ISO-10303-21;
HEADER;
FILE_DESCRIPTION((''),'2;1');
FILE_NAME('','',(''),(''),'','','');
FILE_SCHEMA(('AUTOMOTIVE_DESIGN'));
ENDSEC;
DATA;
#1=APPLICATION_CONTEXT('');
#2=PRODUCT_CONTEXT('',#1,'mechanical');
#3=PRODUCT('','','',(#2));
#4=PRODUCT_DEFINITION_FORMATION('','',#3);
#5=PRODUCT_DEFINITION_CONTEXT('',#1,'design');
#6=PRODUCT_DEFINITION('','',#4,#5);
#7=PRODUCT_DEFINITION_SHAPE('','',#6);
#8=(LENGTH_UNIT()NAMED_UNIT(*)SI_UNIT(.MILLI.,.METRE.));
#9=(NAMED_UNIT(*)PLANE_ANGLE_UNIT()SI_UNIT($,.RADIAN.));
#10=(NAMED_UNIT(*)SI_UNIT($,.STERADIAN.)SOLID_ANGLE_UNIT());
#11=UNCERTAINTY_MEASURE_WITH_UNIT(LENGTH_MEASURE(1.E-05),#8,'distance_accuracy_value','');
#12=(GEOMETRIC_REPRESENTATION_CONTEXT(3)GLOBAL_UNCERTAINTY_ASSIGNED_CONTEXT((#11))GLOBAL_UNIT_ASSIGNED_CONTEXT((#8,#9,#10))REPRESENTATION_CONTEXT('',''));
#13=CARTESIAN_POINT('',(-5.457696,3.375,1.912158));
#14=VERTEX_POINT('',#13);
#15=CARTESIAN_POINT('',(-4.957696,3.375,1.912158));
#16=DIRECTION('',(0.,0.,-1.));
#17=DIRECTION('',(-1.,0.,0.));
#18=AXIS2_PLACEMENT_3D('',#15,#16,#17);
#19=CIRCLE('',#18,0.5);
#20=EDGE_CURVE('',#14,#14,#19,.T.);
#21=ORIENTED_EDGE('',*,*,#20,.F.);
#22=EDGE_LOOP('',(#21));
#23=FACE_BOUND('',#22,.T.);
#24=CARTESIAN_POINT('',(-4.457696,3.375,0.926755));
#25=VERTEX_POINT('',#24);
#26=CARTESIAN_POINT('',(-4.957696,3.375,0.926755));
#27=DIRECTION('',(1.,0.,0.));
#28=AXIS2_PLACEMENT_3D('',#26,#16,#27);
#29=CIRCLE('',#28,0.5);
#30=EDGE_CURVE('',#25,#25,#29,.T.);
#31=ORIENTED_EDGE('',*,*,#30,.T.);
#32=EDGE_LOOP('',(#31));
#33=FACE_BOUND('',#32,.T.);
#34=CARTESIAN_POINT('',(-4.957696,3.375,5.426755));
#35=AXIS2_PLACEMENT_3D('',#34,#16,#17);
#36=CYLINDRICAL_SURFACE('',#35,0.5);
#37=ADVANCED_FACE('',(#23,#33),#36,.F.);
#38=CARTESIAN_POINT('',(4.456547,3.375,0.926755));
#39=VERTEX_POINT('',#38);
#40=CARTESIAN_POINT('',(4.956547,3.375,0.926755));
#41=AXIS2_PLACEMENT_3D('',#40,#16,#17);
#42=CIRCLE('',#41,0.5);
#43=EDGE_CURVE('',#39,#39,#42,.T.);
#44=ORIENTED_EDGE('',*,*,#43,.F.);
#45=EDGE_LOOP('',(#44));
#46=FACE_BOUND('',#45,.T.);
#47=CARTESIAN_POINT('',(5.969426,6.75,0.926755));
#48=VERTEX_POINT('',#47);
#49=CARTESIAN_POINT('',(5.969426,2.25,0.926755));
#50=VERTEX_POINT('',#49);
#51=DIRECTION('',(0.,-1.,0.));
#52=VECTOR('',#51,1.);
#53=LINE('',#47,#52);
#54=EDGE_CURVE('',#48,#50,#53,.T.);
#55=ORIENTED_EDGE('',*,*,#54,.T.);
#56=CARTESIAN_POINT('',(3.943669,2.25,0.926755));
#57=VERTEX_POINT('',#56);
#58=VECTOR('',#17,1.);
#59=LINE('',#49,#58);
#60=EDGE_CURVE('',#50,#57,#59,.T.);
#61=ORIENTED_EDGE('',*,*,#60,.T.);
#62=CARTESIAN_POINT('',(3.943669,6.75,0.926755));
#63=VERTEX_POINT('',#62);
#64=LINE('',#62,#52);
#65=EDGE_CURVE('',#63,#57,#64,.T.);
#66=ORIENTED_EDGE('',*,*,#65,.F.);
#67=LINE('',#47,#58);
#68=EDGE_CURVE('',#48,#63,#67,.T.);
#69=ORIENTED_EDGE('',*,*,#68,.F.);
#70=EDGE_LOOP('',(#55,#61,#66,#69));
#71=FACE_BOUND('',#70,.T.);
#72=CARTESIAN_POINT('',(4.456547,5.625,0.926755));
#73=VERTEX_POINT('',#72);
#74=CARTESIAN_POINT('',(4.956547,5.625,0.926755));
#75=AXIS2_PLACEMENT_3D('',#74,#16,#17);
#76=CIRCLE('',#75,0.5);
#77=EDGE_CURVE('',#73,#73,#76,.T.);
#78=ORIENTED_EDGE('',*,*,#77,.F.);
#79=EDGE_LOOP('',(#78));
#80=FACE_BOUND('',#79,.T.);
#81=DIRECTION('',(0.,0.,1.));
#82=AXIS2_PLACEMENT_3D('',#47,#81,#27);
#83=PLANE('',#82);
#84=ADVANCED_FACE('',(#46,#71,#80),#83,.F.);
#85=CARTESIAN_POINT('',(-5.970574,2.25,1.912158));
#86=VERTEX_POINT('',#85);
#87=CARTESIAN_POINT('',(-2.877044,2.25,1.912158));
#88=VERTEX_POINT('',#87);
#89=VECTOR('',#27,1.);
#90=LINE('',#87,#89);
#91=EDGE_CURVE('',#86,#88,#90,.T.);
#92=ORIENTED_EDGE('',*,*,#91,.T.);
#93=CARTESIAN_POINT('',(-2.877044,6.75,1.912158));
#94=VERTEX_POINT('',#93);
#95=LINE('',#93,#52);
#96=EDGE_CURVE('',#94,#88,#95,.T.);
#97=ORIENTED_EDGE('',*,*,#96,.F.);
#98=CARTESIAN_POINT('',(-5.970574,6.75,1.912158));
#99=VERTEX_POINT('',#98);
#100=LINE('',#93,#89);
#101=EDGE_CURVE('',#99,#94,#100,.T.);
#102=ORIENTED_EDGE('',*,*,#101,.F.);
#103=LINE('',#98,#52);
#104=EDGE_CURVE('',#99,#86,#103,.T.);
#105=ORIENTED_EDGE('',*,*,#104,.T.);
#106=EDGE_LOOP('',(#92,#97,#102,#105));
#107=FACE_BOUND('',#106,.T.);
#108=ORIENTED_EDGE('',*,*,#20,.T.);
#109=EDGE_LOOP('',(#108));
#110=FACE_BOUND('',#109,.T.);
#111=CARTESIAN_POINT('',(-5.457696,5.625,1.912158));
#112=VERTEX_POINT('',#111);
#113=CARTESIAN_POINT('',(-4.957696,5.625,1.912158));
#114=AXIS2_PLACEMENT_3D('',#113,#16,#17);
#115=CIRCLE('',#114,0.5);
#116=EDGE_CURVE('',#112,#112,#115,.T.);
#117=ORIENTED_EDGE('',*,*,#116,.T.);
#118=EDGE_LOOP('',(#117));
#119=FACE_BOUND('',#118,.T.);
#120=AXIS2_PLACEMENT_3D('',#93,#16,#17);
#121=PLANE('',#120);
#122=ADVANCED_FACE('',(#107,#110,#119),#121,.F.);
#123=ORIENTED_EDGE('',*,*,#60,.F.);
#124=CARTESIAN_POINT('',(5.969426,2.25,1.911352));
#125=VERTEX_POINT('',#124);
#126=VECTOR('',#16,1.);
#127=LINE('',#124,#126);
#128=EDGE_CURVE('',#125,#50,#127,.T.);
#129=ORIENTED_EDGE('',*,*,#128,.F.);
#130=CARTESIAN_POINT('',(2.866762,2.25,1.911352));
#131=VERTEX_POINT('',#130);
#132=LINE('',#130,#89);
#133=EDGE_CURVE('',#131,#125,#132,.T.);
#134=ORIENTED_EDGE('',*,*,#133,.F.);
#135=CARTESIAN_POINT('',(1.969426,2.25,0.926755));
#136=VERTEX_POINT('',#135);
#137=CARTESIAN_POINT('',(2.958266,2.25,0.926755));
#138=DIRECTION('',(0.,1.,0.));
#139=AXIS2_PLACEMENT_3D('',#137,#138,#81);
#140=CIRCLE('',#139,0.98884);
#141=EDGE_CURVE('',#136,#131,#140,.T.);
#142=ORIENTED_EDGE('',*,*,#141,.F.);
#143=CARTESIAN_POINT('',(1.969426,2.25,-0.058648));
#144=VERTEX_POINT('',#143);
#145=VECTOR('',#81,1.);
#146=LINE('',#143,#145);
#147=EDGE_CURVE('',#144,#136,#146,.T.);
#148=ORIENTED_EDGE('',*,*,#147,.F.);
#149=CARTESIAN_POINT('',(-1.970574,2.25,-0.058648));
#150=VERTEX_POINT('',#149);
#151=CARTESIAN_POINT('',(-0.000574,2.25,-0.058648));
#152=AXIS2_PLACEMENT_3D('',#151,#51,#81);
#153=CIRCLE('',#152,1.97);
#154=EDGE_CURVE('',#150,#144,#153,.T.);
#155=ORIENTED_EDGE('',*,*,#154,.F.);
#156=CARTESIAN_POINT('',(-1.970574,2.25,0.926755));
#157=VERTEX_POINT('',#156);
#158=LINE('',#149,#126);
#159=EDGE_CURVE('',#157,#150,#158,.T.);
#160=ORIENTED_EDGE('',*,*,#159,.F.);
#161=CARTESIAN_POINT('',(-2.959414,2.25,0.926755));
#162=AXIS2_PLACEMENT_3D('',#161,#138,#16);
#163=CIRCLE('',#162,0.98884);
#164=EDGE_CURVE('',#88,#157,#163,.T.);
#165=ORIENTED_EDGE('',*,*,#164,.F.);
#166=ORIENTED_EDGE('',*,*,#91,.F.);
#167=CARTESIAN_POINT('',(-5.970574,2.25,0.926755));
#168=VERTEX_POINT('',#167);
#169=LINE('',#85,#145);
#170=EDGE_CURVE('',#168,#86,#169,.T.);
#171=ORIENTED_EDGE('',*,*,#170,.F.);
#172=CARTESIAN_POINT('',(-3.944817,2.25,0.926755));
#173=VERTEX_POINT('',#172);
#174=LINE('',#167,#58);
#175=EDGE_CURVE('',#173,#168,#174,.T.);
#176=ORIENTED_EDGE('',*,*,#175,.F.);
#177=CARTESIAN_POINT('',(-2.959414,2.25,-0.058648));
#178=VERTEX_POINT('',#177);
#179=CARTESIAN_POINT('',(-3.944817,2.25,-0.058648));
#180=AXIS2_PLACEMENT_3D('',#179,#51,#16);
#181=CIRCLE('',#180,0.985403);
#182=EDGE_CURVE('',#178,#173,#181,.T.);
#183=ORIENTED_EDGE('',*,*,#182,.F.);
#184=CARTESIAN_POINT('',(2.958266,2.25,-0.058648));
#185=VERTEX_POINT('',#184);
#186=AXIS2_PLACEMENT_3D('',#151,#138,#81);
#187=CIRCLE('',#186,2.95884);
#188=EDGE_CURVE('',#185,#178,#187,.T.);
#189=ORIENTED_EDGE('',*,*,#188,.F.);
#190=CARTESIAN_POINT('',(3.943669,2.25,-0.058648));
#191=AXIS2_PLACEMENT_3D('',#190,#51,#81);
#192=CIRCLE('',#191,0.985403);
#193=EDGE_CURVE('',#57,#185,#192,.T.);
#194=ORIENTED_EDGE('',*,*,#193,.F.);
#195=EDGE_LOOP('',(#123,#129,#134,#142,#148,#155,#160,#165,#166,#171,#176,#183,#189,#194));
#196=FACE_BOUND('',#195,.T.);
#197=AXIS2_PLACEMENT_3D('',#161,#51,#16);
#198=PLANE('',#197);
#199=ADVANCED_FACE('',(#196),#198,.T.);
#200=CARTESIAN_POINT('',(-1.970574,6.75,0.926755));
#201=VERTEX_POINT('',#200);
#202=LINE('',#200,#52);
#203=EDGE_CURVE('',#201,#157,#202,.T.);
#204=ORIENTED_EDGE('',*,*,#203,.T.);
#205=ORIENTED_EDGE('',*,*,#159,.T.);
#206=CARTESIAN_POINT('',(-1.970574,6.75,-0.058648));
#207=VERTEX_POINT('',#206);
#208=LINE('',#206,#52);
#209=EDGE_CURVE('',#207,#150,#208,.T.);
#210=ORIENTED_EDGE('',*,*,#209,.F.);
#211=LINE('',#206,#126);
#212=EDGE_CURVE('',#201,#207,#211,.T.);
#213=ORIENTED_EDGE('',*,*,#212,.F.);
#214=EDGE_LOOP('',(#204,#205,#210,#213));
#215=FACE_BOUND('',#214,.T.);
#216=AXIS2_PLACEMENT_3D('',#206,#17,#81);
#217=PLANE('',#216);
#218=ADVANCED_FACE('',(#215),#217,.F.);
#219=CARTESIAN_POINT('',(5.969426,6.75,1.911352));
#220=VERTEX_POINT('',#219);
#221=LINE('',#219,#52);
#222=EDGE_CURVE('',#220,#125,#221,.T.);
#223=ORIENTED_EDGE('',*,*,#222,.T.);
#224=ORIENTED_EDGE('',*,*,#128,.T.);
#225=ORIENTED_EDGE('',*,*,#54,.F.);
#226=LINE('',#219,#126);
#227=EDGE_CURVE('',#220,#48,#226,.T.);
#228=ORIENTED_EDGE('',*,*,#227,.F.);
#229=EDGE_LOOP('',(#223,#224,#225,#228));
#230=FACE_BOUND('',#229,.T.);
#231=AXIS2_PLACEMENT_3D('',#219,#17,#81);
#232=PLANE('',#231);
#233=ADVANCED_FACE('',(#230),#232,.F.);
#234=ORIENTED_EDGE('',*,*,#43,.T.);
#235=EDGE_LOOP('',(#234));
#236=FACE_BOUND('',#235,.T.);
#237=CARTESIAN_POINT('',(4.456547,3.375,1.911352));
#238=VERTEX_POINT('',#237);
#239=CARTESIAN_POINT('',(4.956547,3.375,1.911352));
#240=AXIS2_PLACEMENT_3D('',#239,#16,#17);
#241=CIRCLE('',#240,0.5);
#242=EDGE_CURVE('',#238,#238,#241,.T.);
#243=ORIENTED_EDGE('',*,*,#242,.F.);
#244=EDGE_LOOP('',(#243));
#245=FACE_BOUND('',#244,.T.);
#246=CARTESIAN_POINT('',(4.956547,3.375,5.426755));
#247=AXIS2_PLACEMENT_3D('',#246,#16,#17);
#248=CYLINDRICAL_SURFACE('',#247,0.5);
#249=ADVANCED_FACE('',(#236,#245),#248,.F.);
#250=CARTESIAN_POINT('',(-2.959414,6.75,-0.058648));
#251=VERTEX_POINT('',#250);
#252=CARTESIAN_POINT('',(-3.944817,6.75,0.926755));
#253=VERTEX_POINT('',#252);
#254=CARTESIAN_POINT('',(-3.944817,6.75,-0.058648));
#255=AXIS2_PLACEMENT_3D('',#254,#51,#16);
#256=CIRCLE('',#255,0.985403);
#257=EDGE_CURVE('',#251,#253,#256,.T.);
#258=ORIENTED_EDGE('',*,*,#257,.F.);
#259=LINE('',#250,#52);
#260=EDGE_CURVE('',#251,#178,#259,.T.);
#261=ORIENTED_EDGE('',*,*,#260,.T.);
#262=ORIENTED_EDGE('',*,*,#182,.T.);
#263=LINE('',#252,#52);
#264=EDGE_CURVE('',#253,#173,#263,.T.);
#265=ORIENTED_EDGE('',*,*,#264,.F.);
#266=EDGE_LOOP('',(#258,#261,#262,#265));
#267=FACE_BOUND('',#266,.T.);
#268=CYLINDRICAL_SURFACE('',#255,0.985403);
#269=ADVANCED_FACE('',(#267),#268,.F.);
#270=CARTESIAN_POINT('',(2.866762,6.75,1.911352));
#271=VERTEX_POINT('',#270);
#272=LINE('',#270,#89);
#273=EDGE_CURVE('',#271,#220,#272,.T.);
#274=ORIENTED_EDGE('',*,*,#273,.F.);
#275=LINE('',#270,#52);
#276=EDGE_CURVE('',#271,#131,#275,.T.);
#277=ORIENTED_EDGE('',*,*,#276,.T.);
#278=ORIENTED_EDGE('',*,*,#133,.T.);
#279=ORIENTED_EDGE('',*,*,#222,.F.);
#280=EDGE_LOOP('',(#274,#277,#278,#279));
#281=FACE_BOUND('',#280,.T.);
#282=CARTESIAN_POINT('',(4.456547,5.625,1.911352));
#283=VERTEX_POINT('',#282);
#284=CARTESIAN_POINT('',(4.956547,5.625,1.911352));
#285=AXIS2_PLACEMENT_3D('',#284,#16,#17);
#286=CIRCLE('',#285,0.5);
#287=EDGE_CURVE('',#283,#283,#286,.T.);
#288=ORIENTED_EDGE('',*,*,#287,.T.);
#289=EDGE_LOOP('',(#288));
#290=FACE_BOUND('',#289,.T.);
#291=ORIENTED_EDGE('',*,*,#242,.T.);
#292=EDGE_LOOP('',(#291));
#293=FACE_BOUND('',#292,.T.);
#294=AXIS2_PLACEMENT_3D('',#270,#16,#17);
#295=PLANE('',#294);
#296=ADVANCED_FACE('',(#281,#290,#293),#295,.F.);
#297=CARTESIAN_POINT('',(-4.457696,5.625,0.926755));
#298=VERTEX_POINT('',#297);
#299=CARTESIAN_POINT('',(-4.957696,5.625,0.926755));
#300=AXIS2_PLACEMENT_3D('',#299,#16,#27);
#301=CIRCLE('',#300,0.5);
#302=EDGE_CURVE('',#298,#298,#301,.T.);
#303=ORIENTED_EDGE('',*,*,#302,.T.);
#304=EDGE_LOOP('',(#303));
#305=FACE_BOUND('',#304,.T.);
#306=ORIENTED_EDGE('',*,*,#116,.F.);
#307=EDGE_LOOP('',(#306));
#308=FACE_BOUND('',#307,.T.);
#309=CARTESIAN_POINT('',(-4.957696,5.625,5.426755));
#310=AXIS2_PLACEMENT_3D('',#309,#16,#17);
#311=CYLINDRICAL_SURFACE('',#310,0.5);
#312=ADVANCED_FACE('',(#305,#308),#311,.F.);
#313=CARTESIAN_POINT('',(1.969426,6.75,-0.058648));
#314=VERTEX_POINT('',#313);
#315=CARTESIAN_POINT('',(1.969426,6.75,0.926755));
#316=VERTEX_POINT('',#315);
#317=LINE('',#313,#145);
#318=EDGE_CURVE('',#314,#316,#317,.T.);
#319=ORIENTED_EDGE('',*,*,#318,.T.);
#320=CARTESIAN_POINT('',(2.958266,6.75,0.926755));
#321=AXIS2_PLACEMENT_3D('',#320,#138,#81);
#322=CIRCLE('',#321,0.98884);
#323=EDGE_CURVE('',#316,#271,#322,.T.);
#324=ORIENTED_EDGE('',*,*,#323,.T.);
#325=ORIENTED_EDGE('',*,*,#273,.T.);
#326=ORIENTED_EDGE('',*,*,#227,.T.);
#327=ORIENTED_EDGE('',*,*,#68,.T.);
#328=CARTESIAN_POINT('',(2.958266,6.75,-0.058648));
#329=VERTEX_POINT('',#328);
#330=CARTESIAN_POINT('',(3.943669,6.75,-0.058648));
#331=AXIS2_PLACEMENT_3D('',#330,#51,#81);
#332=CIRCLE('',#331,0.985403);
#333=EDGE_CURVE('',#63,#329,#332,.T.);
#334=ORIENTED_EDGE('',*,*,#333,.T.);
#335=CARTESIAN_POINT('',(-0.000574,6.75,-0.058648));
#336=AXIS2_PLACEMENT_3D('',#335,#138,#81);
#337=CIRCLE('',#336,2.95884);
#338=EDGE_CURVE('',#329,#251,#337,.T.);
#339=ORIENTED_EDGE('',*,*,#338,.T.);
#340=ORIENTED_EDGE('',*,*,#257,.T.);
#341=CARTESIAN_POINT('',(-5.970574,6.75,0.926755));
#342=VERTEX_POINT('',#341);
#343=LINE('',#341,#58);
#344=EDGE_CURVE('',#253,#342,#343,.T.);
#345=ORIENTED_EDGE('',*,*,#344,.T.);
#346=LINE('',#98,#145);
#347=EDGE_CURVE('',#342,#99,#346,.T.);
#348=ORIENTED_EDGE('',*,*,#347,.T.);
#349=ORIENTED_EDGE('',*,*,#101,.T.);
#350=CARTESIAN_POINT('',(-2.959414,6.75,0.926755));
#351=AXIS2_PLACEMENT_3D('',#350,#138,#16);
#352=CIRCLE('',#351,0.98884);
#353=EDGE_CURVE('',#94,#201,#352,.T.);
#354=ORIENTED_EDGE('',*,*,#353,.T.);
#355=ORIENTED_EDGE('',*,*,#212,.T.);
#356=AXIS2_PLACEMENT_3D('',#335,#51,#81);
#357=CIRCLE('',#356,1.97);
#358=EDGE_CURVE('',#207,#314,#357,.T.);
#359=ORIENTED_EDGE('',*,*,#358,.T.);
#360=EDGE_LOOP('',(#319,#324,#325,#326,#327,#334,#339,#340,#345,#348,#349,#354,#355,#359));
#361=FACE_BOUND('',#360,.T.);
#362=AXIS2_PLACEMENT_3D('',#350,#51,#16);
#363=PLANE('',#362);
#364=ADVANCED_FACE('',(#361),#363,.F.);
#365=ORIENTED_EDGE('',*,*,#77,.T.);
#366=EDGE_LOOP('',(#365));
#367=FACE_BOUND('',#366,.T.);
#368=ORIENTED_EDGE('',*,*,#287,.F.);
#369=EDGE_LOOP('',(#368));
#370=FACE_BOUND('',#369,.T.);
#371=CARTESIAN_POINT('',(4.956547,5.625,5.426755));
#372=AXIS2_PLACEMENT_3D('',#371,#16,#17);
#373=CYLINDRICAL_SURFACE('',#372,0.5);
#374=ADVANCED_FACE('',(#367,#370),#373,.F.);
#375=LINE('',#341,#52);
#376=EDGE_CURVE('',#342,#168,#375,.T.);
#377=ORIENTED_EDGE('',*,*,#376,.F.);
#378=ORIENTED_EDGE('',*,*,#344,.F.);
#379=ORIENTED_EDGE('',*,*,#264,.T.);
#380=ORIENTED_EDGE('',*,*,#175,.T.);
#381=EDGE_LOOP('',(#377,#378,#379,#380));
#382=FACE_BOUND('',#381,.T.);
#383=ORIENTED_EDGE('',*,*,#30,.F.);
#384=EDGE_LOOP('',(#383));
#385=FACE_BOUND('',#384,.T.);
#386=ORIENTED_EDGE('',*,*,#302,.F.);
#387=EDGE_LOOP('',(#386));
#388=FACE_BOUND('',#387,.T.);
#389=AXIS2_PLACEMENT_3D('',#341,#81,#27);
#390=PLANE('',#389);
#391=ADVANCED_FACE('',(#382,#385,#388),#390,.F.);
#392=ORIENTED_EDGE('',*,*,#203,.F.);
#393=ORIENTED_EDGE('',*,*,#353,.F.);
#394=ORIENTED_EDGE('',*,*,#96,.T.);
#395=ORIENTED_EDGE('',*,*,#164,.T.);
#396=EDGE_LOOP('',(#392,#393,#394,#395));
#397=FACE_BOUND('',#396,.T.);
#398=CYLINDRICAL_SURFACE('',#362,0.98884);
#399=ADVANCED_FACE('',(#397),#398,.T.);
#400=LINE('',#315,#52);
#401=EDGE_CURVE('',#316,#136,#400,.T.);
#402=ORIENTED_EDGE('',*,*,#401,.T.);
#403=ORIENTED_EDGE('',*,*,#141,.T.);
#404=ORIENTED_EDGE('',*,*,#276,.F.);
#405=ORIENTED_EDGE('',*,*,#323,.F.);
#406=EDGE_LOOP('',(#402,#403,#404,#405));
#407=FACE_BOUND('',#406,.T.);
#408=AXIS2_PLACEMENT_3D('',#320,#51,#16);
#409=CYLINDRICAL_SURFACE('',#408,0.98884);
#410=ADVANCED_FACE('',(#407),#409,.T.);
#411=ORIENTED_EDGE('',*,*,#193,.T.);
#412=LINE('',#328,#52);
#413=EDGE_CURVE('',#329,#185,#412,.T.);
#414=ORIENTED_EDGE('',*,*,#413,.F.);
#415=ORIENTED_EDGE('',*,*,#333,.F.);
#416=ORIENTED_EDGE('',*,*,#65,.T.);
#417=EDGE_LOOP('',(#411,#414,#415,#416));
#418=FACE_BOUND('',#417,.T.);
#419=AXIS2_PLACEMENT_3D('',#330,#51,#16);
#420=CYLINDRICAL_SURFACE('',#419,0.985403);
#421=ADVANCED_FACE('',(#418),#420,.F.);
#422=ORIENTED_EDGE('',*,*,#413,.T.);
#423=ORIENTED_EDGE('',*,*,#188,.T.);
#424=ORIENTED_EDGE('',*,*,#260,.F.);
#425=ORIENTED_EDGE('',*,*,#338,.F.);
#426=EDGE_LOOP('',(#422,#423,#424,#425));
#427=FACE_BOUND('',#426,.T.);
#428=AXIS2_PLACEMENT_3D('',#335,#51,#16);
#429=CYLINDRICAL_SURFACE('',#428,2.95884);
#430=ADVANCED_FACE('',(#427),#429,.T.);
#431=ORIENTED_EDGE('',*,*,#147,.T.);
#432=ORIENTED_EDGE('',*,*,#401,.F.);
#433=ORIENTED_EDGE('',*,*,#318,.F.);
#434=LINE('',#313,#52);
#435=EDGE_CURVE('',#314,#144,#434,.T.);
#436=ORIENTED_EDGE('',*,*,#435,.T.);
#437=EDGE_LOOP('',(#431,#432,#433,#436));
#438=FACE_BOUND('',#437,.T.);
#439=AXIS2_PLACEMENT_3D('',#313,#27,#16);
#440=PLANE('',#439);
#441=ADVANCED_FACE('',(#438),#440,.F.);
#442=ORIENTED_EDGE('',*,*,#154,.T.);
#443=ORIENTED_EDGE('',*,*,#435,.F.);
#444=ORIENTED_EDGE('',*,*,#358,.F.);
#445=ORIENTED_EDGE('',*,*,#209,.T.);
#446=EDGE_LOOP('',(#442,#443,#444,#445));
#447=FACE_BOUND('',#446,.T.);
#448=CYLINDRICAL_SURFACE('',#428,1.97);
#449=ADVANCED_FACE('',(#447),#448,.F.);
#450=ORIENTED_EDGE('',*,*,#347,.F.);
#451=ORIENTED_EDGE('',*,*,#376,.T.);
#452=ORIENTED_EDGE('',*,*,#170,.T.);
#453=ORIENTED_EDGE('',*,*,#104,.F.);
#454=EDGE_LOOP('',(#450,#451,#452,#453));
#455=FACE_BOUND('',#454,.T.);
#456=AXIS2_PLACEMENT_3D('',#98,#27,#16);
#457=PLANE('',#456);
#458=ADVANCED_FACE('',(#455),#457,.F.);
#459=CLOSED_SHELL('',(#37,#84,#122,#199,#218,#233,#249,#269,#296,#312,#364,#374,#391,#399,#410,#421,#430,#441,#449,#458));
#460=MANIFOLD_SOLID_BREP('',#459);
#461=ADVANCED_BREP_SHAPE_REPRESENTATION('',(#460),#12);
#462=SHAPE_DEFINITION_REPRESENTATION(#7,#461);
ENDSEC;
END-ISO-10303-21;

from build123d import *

# Parameters (mm, degrees)
Y_KSEKLIK_EKSTR_ZYON1_DEPTH = 9
IZIM2_R                     = 1
KES_EKSTR_ZYON1_DEPTH       = 9
L_EK1_SCALE                 = 0.5


with BuildPart() as part:
    # Çizim1 → Yükseklik-Ekstrüzyon1 (new body)
    with BuildSketch(Plane(origin=(0, 0, 0), x_dir=(1, 0, 0), z_dir=(0, 1, 0))):
        with BuildLine():
            Line((3.94, 0), (3.94, -1.970806212))
            ThreePointArc((3.94, -1.970806212), (4.455977206, -3.302963323), (5.734671586, -3.94))
            Line((5.734671586, -3.94), (11.94, -3.94))
            Line((11.94, -3.94), (11.94, -1.970806212))
            Line((11.94, -1.970806212), (7.888485675, -1.970806212))
            ThreePointArc((7.888485675, -1.970806212), (6.494915238, -1.393570437), (5.917679463, 0))
            ThreePointArc((5.917679463, 0), (0, 5.917679463), (-5.917679463, 0))
            ThreePointArc((-5.917679463, 0), (-6.494915238, -1.393570437), (-7.888485675, -1.970806212))
            Line((-7.888485675, -1.970806212), (-11.94, -1.970806212))
            Line((-11.94, -1.970806212), (-11.94, -3.941612423))
            Line((-11.94, -3.941612423), (-5.752940471, -3.941612423))
            ThreePointArc((-5.752940471, -3.941612423), (-4.462169762, -3.309726511), (-3.94, -1.970806212))
            Line((-3.94, -1.970806212), (-3.94, 0))
            ThreePointArc((-3.94, 0), (0, 3.94), (3.94, 0))
        make_face()
    extrude(amount=Y_KSEKLIK_EKSTR_ZYON1_DEPTH)

    # Çizim2 → Kes-Ekstrüzyon1 (cut)
    with BuildSketch(Plane(origin=(0, 0, 1.970806212), x_dir=(-1, 0, 0), z_dir=(0, 0, -1))):
        with Locations((-9.914242837, 6.75)):
            Circle(IZIM2_R)
        with Locations((-9.914242837, 2.25)):
            Circle(IZIM2_R)
        with Locations((9.914242837, 2.25)):
            Circle(IZIM2_R)
        with Locations((9.914242837, 6.75)):
            Circle(IZIM2_R)
    extrude(amount=-KES_EKSTR_ZYON1_DEPTH, mode=Mode.SUBTRACT)


with BuildPart() as part_1:
    # Ölçek1: scaled about (-0.001148425, 4.5, -0.117296344)
    add(part.part.scale(L_EK1_SCALE).moved(Location((-0.000574213, 2.25, -0.058648172))))


solid = part_1.part
